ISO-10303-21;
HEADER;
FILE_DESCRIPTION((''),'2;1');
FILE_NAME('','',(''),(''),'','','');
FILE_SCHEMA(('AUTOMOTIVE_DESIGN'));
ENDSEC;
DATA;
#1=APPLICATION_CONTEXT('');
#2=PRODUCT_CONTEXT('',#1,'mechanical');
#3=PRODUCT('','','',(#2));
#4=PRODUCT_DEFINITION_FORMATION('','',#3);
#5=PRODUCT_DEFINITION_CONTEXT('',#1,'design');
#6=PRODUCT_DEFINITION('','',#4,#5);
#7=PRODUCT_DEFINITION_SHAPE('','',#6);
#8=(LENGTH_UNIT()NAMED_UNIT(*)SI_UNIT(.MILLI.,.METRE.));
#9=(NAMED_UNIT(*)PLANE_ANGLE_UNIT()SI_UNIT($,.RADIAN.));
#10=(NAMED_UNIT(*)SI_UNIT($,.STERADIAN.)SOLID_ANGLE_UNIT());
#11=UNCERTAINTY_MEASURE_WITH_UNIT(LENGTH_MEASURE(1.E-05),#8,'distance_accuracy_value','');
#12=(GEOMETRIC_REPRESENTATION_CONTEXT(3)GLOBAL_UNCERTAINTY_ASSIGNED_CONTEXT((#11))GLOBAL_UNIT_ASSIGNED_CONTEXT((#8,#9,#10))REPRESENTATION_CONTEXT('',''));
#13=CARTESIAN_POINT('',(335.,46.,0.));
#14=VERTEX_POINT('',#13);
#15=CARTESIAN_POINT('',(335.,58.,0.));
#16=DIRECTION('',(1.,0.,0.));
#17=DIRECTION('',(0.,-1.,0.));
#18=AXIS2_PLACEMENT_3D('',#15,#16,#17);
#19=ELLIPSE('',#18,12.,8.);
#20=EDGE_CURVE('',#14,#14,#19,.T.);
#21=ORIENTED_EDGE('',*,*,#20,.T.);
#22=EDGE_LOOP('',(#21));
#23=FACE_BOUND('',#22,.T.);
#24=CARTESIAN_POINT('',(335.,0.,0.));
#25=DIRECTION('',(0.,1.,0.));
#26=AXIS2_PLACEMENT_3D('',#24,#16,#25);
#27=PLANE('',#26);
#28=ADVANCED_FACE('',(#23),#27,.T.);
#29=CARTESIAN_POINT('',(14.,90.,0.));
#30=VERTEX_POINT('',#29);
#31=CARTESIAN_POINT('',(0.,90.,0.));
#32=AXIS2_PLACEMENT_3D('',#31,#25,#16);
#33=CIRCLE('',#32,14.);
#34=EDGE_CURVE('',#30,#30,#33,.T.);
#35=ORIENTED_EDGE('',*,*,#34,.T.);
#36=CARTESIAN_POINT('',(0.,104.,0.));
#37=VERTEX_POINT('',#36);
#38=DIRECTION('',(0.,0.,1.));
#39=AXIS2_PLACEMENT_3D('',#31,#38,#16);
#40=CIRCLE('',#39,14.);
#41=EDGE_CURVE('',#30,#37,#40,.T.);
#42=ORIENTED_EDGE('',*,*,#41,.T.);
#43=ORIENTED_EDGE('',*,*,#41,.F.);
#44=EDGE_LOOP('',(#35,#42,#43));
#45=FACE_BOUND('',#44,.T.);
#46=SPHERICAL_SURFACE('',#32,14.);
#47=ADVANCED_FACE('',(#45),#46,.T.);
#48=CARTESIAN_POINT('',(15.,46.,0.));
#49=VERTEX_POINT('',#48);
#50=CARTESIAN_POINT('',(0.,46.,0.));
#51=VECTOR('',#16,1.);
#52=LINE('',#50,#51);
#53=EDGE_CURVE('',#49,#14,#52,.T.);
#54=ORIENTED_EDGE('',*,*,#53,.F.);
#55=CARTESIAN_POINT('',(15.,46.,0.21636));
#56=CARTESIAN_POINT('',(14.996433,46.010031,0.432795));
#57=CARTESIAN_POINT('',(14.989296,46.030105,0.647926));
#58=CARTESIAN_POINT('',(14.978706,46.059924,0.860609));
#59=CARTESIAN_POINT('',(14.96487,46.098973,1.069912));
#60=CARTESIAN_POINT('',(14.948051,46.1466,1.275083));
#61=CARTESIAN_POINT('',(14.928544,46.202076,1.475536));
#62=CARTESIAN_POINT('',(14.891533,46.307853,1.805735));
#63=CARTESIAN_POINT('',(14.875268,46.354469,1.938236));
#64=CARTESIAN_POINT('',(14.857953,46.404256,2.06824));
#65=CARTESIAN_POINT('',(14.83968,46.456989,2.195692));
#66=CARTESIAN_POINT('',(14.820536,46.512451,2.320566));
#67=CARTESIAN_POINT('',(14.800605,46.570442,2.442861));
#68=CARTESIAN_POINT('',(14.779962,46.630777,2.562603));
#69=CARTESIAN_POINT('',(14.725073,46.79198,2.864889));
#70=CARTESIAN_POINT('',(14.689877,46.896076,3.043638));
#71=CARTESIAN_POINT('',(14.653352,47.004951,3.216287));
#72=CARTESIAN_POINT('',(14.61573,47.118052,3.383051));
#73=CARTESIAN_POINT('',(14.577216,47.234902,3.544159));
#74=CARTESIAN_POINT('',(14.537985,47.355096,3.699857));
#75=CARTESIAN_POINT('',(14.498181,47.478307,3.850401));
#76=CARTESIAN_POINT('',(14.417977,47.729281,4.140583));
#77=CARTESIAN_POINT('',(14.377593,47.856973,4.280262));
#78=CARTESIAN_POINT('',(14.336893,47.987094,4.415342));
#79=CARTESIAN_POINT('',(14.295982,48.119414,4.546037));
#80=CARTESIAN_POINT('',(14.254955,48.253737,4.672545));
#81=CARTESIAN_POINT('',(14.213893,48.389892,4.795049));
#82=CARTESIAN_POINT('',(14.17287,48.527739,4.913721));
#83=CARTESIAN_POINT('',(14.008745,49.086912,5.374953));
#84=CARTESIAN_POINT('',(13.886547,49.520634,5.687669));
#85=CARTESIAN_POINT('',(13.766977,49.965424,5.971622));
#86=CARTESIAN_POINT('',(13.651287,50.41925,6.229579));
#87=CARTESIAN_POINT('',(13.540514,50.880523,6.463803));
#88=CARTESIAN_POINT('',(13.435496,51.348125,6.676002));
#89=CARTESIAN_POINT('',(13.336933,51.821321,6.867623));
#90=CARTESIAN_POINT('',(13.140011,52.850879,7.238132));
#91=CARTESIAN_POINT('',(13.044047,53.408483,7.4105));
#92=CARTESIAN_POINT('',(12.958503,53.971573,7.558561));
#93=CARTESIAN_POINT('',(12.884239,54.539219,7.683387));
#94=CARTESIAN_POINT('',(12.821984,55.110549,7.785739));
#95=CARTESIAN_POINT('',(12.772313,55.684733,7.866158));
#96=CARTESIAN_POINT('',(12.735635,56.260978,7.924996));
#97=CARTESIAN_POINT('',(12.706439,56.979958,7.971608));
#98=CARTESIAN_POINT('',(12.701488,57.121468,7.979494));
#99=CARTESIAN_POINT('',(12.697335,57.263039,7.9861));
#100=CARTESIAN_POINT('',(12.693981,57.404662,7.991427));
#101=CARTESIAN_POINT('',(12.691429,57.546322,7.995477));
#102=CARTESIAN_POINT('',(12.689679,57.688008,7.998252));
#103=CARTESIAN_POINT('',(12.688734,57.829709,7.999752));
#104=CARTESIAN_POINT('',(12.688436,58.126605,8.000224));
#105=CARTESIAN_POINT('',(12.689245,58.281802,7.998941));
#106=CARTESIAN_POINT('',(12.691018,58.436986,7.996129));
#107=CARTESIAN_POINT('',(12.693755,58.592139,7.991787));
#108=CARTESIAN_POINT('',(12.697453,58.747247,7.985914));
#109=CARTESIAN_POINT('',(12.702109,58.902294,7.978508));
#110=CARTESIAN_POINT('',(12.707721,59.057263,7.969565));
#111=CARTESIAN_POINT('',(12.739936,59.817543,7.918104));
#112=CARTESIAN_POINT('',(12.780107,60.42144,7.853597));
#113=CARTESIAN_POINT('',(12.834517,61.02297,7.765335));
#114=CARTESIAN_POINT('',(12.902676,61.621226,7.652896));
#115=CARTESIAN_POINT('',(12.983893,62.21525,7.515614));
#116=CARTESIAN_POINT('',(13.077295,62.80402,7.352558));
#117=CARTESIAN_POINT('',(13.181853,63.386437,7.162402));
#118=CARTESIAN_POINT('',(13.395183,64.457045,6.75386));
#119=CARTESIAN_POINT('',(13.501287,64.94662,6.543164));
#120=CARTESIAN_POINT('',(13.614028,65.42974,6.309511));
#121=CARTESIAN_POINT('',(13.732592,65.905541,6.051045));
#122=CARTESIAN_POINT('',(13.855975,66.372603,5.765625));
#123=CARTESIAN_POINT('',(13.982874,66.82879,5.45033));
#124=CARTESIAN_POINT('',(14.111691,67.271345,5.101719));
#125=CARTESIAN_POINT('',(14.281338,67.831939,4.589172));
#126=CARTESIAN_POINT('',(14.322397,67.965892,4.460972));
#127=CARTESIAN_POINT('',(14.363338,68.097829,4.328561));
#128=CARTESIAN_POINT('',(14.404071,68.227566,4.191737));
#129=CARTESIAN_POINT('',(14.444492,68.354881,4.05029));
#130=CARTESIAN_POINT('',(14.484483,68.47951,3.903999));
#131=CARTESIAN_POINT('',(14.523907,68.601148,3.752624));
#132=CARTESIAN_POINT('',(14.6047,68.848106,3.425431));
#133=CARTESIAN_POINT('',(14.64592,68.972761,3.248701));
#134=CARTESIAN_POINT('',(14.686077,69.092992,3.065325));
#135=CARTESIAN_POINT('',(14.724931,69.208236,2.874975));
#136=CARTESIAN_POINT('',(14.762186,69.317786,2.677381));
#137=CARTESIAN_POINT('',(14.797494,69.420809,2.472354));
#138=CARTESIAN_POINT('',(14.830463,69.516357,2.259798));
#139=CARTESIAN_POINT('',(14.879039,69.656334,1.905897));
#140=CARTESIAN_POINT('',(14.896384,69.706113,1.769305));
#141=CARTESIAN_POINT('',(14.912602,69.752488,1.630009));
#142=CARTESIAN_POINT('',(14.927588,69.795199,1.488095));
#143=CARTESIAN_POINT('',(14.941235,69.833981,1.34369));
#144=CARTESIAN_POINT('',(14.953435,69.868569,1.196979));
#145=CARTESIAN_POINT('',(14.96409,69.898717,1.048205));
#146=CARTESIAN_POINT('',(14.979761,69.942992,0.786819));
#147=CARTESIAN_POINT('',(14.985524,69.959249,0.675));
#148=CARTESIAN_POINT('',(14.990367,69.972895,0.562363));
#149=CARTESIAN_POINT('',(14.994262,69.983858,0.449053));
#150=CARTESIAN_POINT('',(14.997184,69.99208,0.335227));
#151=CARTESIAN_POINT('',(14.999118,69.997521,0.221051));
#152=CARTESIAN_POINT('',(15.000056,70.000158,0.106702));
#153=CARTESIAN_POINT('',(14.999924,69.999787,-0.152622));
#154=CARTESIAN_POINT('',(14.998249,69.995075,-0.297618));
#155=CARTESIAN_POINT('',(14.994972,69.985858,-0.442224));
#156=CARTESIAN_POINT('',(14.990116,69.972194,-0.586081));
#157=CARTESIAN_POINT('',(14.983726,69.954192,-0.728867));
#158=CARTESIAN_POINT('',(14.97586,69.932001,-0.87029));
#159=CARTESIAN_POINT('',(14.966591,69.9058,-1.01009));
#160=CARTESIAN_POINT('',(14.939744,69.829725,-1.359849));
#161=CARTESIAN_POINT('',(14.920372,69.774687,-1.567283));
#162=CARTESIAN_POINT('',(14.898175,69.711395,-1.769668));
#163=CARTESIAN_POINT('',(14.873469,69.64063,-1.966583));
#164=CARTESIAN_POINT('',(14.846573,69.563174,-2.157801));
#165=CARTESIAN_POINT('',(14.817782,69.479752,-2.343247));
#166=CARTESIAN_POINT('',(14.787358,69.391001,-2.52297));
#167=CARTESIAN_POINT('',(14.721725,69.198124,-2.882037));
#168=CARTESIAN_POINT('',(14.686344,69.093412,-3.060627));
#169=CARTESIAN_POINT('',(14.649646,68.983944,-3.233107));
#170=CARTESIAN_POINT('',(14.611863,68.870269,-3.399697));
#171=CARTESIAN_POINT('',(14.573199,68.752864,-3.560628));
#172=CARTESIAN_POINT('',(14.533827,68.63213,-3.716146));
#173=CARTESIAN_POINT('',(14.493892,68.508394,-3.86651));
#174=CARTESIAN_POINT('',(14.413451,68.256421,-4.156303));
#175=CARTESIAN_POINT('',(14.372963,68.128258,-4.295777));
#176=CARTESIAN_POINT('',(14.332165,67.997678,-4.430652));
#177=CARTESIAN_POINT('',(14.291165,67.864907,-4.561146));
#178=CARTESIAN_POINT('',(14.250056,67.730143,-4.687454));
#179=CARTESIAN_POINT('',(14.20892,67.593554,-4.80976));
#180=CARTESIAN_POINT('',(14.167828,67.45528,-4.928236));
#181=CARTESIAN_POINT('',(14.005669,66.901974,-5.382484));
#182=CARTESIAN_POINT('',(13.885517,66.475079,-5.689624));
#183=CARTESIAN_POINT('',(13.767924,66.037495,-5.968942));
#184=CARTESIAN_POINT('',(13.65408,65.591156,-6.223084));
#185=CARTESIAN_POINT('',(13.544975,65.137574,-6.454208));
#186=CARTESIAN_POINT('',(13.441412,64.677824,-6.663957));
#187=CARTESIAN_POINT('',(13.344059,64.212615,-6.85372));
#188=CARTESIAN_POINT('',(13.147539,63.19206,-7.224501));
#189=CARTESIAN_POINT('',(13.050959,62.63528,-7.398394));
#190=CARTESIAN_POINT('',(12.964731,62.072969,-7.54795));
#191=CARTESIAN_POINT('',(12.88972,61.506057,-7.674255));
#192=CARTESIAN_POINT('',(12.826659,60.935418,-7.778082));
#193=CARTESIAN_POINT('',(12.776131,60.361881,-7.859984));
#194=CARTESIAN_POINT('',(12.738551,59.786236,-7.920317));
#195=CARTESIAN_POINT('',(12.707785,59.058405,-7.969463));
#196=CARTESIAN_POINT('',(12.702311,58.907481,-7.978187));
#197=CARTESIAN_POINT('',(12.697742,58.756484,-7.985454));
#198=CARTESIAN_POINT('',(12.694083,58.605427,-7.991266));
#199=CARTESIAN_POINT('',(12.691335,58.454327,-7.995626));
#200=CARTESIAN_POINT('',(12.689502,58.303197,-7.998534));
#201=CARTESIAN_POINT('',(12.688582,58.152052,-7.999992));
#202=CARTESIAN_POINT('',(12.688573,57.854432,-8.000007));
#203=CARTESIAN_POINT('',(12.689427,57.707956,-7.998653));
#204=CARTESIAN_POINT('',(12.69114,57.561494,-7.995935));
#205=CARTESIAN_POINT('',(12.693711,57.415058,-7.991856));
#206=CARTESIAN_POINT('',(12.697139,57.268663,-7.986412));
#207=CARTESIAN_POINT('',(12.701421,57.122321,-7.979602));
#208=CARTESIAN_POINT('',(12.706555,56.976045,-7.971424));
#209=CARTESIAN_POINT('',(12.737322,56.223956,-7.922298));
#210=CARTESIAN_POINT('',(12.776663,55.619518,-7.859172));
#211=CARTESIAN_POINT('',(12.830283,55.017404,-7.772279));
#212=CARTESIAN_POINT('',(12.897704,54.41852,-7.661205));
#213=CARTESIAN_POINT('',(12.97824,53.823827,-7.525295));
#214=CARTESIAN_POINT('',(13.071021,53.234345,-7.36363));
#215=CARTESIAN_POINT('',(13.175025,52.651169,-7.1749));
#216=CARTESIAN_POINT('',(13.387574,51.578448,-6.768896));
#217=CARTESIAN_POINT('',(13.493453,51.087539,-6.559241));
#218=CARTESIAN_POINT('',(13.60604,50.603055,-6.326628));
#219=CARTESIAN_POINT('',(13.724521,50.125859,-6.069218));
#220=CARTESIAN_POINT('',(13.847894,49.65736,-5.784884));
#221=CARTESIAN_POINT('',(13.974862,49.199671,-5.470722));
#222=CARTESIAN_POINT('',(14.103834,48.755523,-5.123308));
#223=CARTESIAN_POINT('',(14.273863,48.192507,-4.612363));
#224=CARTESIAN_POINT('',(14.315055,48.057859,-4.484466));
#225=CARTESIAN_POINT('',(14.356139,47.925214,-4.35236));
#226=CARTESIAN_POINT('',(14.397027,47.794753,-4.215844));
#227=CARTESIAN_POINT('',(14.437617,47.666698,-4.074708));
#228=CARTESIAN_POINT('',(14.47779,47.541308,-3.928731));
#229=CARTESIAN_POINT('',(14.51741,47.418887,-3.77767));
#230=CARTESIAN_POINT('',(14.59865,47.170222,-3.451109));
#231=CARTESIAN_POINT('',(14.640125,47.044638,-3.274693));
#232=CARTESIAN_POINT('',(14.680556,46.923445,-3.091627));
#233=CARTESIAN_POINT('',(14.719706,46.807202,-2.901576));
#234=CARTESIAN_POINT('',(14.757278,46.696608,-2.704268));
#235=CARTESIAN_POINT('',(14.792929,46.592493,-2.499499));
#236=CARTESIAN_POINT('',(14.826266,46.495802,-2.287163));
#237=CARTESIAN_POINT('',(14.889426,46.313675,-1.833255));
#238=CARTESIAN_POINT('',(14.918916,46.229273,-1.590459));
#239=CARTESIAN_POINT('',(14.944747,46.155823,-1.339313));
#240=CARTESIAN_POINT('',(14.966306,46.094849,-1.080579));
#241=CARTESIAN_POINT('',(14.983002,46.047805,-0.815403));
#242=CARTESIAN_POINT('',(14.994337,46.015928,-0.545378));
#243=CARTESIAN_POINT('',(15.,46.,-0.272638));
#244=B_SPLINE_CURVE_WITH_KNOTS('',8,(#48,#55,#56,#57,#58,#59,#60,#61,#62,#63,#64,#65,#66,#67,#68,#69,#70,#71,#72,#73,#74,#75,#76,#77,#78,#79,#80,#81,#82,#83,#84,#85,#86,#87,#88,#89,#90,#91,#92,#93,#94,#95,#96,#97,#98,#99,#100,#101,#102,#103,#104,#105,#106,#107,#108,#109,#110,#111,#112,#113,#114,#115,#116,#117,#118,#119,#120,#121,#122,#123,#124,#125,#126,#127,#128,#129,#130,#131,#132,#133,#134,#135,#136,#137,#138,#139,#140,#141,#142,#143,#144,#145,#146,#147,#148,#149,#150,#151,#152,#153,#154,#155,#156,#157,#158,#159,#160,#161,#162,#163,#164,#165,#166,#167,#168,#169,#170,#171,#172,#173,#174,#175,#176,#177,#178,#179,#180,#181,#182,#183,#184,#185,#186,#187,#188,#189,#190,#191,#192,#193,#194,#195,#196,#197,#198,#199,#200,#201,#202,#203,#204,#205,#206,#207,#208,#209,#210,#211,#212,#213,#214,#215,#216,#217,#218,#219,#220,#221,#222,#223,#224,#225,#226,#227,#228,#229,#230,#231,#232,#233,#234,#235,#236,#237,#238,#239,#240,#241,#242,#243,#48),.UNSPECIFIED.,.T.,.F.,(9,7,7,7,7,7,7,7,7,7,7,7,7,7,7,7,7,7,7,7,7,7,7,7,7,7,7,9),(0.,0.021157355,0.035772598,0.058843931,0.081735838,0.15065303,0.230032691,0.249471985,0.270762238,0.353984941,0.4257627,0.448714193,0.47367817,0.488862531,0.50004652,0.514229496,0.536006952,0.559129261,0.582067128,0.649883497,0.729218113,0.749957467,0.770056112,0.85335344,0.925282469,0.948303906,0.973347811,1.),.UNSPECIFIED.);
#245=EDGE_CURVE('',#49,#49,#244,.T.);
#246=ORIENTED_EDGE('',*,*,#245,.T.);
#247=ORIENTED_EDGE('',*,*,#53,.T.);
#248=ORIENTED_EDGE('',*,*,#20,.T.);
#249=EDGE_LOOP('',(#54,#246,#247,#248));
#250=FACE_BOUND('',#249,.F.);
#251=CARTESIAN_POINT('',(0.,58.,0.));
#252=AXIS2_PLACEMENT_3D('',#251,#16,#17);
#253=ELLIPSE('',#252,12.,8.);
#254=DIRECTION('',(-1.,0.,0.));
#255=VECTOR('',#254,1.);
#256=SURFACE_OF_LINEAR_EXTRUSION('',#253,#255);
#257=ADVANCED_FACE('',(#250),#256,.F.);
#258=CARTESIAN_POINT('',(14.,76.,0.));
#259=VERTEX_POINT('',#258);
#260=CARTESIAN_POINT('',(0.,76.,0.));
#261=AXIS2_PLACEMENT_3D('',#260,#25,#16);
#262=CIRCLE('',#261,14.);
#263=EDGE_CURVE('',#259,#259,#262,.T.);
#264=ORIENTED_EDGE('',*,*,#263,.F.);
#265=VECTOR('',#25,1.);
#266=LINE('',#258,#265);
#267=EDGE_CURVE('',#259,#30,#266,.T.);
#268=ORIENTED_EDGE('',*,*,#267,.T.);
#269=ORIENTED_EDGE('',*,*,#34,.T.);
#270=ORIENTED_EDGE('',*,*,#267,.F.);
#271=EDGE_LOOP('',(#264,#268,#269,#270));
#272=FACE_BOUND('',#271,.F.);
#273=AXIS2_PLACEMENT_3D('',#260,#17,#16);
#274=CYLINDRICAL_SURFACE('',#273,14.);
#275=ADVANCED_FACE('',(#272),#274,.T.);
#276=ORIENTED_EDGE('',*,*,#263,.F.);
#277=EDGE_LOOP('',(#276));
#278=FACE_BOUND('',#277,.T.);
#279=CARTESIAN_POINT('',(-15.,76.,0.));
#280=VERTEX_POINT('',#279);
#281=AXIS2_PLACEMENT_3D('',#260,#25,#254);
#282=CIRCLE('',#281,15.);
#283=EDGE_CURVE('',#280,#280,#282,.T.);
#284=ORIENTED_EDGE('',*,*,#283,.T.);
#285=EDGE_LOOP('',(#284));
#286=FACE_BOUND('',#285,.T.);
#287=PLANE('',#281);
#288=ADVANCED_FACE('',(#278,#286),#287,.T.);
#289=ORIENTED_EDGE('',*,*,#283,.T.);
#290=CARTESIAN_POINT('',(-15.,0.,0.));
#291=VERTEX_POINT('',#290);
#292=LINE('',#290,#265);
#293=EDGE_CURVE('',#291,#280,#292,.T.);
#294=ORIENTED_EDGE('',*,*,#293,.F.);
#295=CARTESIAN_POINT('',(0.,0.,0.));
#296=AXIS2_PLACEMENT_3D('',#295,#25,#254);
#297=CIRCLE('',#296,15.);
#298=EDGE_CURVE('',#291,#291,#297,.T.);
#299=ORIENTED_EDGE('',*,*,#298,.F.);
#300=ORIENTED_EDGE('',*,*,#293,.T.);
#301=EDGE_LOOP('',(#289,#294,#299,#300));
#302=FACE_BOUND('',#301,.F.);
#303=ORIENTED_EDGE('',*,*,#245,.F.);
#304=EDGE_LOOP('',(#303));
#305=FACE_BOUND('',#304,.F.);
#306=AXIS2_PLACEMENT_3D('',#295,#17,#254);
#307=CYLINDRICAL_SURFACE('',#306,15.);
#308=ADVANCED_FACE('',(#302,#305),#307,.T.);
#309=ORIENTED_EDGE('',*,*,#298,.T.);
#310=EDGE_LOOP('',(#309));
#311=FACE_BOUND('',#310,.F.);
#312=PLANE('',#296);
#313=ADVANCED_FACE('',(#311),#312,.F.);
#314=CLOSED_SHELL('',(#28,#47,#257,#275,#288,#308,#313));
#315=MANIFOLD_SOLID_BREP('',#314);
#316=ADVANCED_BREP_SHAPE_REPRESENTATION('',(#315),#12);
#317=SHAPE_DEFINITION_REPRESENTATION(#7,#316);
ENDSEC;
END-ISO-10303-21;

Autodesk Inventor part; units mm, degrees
ref_plane "YZ Plane" through (0, 0, 0) normal (1, 0, 0) x (0, 1, 0)
ref_plane "XZ Plane" through (0, 0, 0) normal (0, 1, 0) x (-1, 0, 0)
ref_plane "XY Plane" through (0, 0, 0) normal (0, 0, 1) x (1, 0, 0)
sketch "Sketch1" plane through (0, 0, 0) normal (0, 1, 0) x (-1, 0, 0)
  circle A0 centre (0, 0) radius 15
  dimension "d0" = 30
extrude "Extrusion1" add sketch "Sketch1" along normal blind 76
sketch "Sketch2" plane through (0, 76, 0) normal (0, 1, 0) x (1, 0, 0)
  circle A0 centre (0, 0) radius 14
  dimension "d3" = 28
extrude "Extrusion2" add sketch "Sketch2" along normal blind 28
fillet "Fillet1" radius 14 1 edges at (-14, 104, 0)
sketch "Sketch3" plane through (0, 0, 0) normal (1, 0, 0) x (0, 1, 0)
  ellipse E0 centre (58, 0) end of major axis (46, 0) minor radius 8
  point P0 (0, 0)
  dimension "d8" = 12
  dimension "d9" = 8
  dimension "d7" = 58
extrude "Extrusion3" add sketch "Sketch3" along normal blind 335
properties part number "Hammer"
